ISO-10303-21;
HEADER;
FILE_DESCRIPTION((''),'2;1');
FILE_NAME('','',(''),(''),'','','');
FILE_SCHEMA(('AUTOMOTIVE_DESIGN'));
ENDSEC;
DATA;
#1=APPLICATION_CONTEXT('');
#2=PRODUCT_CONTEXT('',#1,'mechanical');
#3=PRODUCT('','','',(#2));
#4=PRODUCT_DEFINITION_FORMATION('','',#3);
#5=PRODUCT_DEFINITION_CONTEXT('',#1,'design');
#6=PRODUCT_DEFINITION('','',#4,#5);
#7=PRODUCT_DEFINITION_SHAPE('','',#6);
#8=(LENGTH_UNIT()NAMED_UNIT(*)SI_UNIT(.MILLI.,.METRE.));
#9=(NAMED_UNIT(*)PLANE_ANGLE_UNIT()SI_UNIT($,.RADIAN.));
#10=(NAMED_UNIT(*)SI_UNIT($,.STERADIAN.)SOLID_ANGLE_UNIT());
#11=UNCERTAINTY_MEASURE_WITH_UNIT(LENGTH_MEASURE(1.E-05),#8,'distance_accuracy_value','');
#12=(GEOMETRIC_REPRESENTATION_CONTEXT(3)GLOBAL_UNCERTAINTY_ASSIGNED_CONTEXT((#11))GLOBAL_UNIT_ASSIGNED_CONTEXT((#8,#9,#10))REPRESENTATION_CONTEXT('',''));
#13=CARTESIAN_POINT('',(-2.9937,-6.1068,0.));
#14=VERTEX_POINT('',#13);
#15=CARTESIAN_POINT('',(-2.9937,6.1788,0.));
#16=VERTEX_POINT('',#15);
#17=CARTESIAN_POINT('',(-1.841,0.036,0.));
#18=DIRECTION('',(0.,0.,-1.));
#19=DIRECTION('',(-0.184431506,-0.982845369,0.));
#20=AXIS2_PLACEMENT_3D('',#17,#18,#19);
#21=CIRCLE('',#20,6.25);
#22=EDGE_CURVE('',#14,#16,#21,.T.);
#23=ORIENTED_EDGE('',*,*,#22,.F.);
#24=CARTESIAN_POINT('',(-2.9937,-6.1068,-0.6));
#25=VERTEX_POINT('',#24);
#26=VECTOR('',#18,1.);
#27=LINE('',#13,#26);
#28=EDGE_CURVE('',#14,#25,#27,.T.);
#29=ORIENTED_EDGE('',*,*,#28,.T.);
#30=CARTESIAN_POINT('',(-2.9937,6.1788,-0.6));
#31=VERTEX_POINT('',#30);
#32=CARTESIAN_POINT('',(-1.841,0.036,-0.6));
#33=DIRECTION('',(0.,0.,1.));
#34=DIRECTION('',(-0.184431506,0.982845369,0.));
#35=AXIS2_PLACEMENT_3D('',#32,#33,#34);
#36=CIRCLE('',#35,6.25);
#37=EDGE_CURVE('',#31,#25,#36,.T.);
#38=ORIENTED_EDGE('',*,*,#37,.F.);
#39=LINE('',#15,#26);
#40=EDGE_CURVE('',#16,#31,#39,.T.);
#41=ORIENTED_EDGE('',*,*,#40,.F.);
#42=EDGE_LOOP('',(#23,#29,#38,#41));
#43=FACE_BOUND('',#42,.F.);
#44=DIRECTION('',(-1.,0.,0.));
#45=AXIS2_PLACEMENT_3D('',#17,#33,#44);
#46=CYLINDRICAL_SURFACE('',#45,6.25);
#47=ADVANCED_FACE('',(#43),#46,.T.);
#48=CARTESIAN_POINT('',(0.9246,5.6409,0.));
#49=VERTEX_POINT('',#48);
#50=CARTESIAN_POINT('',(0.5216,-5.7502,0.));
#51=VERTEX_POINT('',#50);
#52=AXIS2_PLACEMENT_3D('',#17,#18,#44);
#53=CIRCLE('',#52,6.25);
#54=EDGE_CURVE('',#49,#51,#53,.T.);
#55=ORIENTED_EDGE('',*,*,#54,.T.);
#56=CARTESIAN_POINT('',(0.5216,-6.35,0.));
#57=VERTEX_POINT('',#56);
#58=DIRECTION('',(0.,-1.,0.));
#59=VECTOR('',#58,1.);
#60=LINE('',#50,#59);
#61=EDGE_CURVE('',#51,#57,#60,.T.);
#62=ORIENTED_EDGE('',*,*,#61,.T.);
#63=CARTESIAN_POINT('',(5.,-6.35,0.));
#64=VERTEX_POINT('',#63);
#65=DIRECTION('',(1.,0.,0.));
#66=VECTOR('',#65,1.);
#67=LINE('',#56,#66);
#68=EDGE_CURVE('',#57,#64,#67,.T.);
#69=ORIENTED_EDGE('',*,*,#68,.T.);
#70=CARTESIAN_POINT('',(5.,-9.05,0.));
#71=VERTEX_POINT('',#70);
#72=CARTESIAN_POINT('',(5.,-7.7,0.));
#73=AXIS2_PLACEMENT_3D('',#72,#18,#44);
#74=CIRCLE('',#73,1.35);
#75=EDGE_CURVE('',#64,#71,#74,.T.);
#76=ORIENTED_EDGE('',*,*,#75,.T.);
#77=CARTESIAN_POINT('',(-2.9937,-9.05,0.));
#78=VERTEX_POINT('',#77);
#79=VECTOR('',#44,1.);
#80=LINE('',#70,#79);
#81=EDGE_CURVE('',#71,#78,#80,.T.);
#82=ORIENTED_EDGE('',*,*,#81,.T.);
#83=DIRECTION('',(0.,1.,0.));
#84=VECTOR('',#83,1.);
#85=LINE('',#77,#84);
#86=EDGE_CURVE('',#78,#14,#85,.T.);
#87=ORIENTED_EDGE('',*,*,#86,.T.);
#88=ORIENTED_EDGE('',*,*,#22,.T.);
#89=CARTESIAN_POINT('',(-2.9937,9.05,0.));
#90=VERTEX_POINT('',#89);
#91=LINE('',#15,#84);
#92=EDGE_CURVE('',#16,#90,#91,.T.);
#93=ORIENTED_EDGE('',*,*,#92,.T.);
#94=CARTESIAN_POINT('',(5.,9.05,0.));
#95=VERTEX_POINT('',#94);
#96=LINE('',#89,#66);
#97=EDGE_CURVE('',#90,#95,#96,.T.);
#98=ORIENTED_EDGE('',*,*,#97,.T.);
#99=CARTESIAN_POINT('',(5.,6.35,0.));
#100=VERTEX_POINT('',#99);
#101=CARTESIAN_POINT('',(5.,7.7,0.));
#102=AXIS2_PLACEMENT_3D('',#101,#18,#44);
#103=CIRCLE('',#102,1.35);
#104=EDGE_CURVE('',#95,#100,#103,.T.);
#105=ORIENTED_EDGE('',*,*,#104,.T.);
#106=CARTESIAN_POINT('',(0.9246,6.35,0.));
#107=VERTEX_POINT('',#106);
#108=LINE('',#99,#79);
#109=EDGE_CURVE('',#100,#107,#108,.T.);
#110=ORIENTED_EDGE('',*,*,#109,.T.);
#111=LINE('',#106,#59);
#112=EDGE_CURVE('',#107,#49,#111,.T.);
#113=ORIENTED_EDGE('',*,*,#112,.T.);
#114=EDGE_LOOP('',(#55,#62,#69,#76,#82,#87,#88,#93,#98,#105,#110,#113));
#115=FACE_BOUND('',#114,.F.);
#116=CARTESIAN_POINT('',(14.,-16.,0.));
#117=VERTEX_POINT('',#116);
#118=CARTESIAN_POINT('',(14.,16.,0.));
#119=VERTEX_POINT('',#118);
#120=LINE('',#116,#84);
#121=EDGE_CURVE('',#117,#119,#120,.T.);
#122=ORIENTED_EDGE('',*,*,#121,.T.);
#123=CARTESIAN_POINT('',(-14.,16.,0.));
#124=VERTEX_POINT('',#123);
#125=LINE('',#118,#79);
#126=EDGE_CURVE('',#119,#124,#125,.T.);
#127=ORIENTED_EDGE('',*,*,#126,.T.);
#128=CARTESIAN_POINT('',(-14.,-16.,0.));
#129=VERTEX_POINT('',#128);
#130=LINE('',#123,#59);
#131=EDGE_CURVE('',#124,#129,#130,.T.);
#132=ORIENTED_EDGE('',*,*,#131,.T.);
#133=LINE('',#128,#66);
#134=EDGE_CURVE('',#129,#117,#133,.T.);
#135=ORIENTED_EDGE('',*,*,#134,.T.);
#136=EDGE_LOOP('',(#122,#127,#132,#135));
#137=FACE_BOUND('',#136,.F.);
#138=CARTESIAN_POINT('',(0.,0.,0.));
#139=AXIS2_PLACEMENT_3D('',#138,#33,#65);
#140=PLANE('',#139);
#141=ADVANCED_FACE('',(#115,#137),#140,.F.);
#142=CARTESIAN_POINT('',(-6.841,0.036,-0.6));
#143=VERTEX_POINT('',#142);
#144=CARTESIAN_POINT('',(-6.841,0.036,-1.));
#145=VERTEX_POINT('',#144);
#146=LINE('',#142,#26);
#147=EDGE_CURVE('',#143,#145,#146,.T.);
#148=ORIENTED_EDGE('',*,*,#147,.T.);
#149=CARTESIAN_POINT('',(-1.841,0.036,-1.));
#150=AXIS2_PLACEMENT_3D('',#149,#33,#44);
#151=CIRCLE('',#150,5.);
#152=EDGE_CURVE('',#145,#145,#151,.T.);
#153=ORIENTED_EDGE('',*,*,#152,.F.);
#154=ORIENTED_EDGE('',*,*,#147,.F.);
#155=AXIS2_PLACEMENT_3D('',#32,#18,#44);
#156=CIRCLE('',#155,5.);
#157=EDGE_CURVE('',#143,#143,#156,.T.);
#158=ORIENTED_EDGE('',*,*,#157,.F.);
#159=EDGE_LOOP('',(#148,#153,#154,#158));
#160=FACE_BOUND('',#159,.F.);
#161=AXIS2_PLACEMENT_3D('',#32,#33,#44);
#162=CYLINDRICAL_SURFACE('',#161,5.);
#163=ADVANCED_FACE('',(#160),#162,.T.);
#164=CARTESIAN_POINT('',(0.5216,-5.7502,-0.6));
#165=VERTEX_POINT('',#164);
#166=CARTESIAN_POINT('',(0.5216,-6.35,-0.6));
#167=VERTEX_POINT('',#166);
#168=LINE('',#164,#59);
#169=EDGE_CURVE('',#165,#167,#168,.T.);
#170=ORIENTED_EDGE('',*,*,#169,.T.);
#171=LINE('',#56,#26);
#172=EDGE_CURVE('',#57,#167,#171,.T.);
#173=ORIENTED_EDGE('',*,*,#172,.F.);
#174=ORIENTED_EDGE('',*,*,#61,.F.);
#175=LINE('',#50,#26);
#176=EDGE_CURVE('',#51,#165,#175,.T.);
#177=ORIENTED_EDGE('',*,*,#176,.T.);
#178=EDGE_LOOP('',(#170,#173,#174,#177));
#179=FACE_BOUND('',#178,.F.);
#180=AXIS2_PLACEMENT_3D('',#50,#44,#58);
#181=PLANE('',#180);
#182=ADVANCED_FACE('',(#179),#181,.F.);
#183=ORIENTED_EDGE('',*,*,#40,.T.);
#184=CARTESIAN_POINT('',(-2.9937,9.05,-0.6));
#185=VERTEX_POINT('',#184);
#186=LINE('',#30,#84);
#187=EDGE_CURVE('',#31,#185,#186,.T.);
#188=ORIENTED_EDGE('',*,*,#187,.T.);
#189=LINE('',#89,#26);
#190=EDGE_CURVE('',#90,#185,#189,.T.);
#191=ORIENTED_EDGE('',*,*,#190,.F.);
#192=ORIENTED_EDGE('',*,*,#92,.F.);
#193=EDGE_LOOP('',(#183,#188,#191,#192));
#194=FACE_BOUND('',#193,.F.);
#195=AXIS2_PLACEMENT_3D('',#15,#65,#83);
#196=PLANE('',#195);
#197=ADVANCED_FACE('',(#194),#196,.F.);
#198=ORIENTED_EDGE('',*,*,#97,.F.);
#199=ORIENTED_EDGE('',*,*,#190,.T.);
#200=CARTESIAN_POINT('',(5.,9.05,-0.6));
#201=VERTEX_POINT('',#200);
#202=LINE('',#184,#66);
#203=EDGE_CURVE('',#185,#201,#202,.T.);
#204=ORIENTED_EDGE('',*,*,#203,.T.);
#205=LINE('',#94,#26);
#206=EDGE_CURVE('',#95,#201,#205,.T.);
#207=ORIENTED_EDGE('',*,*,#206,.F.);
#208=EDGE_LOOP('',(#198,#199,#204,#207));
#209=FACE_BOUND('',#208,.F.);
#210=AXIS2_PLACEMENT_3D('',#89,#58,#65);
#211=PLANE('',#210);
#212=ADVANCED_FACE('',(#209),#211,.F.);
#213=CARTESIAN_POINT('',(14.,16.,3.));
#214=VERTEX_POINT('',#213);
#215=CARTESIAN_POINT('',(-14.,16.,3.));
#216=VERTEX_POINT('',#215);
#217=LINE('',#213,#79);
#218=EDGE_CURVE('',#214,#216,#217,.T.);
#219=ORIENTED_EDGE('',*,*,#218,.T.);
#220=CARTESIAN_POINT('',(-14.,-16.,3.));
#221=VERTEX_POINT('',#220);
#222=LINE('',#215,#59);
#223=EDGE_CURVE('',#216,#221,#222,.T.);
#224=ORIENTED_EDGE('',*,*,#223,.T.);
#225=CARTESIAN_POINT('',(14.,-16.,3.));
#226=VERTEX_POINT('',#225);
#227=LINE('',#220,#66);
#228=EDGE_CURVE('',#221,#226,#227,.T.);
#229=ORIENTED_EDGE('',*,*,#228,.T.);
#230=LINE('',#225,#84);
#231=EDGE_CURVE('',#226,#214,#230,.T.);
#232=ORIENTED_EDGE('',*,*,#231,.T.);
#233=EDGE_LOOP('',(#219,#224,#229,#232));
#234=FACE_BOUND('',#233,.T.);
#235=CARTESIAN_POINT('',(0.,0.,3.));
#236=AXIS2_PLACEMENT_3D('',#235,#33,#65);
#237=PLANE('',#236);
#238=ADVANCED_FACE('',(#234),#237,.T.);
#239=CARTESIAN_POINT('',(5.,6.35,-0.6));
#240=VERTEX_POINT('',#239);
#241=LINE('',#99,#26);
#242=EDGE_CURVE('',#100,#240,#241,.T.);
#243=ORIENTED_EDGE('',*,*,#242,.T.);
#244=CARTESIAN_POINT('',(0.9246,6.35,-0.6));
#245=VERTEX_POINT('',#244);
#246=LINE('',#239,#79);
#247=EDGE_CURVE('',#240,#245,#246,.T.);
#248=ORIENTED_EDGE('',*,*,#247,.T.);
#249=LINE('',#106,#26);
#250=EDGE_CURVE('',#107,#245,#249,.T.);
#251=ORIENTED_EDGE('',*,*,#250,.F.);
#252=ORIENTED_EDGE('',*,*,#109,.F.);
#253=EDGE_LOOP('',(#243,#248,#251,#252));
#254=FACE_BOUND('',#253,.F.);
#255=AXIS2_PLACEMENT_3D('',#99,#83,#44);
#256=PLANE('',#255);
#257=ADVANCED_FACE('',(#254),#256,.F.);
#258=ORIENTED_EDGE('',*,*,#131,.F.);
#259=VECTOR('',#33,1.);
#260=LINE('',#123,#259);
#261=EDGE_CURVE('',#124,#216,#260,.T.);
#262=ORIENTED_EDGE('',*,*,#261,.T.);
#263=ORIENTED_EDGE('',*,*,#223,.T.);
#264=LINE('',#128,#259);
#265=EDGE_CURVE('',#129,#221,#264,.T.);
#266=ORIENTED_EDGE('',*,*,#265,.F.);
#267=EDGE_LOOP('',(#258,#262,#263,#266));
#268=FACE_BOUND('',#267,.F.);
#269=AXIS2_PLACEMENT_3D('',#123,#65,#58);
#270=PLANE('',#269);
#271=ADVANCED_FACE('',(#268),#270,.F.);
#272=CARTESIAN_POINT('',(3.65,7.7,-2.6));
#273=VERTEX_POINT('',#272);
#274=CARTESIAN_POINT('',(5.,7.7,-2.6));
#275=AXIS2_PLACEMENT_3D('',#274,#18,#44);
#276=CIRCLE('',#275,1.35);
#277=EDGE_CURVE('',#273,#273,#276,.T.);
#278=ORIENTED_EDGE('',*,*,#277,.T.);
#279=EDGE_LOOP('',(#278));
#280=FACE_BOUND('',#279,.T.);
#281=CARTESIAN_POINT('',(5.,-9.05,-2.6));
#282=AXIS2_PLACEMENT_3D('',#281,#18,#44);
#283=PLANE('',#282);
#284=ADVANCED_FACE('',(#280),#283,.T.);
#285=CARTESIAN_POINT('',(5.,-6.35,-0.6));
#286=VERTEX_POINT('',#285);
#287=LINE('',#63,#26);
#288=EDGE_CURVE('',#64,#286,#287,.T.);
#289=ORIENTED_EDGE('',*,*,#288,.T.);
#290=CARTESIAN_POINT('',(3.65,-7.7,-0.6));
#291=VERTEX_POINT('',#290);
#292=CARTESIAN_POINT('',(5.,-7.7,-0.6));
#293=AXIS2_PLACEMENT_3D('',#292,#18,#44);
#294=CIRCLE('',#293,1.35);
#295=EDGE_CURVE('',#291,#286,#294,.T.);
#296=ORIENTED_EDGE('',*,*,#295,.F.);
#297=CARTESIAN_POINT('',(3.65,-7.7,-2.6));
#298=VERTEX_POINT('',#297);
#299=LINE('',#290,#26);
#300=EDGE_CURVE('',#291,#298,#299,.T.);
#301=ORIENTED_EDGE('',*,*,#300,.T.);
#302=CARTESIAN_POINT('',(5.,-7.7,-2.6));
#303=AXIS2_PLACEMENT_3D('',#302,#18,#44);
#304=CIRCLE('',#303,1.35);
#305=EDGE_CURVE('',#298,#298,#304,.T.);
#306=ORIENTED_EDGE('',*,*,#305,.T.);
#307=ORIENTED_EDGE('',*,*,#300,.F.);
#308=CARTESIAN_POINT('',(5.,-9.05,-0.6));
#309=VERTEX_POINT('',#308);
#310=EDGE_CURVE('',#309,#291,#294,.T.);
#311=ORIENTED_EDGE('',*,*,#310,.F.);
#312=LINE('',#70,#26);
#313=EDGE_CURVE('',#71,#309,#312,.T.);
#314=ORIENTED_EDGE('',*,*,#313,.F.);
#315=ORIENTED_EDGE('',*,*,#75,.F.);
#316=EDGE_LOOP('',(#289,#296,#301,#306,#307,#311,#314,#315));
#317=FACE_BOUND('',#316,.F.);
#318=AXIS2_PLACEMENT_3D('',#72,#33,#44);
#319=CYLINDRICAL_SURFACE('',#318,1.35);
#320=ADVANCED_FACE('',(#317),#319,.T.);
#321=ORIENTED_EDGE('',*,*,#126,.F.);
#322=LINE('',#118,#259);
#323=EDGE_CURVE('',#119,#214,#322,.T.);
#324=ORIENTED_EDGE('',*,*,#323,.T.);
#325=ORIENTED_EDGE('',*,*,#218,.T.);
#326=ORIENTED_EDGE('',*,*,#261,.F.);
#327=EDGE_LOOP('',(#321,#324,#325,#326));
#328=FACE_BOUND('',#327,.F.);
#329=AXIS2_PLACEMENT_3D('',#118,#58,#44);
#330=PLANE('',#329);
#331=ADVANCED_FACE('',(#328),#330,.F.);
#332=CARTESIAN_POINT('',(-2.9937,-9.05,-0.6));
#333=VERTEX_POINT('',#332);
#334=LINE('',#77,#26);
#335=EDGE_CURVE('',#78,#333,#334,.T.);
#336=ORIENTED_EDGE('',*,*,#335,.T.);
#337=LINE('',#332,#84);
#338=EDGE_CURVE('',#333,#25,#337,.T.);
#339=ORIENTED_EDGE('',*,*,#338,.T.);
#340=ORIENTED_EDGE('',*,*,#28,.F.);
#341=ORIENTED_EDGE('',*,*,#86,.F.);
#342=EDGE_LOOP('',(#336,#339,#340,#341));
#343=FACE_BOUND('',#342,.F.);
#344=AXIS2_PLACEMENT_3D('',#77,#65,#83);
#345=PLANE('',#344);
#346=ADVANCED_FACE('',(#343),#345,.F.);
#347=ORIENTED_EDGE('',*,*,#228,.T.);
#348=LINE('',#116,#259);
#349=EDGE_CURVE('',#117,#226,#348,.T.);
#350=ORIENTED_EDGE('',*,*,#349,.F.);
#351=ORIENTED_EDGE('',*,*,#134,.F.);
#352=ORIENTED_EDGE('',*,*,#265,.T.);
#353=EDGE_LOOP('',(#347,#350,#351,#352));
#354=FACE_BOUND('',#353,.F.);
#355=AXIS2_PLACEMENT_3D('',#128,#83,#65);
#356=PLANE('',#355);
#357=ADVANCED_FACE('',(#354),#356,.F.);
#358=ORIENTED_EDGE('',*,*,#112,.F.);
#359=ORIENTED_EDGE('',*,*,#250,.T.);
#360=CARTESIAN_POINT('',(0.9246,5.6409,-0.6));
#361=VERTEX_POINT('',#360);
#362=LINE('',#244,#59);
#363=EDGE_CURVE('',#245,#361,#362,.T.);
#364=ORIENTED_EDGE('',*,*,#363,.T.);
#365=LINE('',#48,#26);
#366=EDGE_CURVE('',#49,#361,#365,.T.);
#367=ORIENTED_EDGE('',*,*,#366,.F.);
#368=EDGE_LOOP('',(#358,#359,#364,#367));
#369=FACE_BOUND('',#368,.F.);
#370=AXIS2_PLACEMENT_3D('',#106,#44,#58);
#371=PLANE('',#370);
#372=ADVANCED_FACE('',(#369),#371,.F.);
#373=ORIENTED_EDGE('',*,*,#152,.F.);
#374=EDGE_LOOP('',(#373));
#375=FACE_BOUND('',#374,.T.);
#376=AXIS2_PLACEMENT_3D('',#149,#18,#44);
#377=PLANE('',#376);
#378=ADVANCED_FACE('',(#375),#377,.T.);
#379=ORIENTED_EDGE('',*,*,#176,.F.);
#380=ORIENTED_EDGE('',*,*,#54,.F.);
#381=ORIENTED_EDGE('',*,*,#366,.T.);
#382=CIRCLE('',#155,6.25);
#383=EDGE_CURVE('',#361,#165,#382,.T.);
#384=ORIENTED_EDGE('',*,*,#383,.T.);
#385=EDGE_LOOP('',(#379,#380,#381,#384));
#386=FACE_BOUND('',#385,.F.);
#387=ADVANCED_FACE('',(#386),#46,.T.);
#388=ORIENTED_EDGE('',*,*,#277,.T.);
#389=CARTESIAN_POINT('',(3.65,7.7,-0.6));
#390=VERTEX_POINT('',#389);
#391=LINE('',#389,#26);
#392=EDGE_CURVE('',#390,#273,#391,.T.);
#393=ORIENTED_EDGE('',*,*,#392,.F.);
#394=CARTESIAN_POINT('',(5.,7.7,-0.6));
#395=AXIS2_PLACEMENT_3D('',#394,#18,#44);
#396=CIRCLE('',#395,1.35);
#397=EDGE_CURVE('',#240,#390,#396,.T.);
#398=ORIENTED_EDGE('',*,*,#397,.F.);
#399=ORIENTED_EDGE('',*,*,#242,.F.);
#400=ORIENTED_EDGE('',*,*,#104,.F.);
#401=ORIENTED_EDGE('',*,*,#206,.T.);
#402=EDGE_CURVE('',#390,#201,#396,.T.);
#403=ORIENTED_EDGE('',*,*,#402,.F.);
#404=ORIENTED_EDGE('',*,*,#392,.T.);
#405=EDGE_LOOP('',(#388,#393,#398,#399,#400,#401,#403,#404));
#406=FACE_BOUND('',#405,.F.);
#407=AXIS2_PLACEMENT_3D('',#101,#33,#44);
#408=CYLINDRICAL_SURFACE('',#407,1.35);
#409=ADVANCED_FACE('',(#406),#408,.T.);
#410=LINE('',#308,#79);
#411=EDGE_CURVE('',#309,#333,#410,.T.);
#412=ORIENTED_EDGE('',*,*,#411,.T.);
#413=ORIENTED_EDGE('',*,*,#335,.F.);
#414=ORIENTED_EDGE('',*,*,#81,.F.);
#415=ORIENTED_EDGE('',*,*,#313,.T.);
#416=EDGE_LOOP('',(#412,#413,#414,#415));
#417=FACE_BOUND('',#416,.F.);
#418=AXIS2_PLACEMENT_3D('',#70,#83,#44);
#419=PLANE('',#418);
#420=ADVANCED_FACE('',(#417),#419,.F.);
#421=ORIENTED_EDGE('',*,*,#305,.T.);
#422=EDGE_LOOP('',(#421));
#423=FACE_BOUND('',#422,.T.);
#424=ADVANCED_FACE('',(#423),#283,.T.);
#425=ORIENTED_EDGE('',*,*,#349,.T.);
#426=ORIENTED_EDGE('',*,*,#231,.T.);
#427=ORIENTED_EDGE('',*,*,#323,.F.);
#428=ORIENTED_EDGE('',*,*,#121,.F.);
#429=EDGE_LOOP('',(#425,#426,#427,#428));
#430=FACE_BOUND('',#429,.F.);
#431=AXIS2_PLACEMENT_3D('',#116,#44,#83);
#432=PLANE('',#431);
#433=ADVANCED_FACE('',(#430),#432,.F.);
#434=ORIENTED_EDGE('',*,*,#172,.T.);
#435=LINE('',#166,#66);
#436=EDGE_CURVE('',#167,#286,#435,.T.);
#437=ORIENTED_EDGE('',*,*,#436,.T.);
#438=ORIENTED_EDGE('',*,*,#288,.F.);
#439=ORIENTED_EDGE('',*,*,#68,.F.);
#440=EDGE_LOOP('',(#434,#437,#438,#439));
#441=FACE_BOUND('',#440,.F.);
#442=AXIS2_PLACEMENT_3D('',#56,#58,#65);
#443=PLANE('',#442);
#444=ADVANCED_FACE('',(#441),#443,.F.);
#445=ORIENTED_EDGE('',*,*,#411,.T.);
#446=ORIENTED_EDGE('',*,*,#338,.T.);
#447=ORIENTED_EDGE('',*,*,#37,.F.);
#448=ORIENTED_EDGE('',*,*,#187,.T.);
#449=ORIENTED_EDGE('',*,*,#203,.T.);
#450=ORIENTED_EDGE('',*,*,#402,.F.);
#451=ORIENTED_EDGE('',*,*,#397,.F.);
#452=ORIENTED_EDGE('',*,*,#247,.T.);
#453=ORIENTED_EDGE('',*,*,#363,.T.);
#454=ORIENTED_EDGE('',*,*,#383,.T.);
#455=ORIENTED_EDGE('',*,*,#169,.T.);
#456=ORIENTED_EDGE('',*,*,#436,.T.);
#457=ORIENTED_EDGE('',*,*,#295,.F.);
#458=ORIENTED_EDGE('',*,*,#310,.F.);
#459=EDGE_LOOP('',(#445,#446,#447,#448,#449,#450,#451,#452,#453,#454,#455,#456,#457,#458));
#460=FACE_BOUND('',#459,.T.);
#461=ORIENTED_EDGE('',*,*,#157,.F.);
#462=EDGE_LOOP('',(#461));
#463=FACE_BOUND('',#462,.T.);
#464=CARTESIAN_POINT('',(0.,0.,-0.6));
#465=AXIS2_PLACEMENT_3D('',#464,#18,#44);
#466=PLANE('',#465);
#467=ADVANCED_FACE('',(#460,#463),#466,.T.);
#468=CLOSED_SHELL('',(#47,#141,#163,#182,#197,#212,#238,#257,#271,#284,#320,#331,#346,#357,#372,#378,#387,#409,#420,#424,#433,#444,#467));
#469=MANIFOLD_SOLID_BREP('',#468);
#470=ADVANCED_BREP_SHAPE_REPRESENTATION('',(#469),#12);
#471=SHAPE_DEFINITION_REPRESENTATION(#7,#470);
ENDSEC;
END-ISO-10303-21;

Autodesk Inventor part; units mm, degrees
ref_plane "YZ Plane" through (0, 0, 0) normal (1, 0, 0) x (0, 1, 0)
ref_plane "Work Plane1" through (0, 0, 0) normal (0, 0, 1) x (1, 0, 0)
sketch "Sketch1" plane through (0, 0, 0) normal (0, 0, 1) x (1, 0, 0)
  line L0 (9, 11.7) -> (-9, 11.7) projected
  line L1 (-9, 11.7) -> (-9, -11.7) projected
  line L2 (-9, -11.7) -> (9, -11.7) projected
  line L3 (9, -11.7) -> (9, 11.7) projected
  line L4 (5, -9.05) -> (-2.9937, -9.05) projected
  line L5 (-2.9937, -9.05) -> (-2.9937, -6.1068) projected
  arc A0 (-2.9937, 6.1788) -> (-2.9937, -6.1068) centre (-1.841, 0.036) ccw projected
  line L6 (-2.9937, 6.1788) -> (-2.9937, 9.05) projected
  line L7 (-2.9937, 9.05) -> (5, 9.05) projected
  arc A1 (5, 6.35) -> (5, 9.05) centre (5, 7.7) ccw projected
  line L8 (5, 6.35) -> (0.9246, 6.35) projected
  line L9 (0.9246, 6.35) -> (0.9246, 5.6409) projected
  arc A2 (0.5216, -5.7502) -> (0.9246, 5.6409) centre (-1.841, 0.036) ccw projected
  line L10 (0.5216, -5.7502) -> (0.5216, -6.35) projected
  line L11 (0.5216, -6.35) -> (5, -6.35) projected
  arc A3 (5, -9.05) -> (5, -6.35) centre (5, -7.7) ccw projected
  line L12 (-14, -16) -> (14, -16)
  line L13 (14, -16) -> (14, 16)
  line L14 (14, 16) -> (-14, 16)
  line L15 (-14, 16) -> (-14, -16)
  line L16 (-14, -16) -> (14, 16) construction
  line L17 (14, -16) -> (-14, 16) construction
  point P0 (0, 0)
  dimension "d0" = 28
  dimension "d1" = 32
extrude "Extrusion1" add sketch "Sketch1" along normal blind 3 contours L3 L2 L1 L0 | L4 L5 A0 L6 L7 A1 L8 L9 A2 L10 L11 A3 | L15 L14 L13 L12
sketch "Sketch2" plane through (0, 0, 0) normal (0, 0, -1) x (-1, 0, 0)
  circle A0 centre (1.841, 0.036) radius 6.25 projected
  arc A1 (-5, -9.05) -> (-5, -6.35) centre (-5, -7.7) ccw projected
  line L0 (-0.5216, -6.35) -> (-5, -6.35) projected
  line L1 (-0.5216, -5.7502) -> (-0.5216, -6.35) projected
  arc A2 (-0.5216, -5.7502) -> (2.9937, -6.1068) centre (1.841, 0.036) ccw projected
  line L2 (2.9937, -9.05) -> (2.9937, -6.1068) projected
  line L3 (-5, -9.05) -> (2.9937, -9.05) projected
  arc A3 (2.9937, 6.1788) -> (-0.9246, 5.6409) centre (1.841, 0.036) ccw projected
  line L4 (-0.9246, 6.35) -> (-0.9246, 5.6409) projected
  line L5 (-5, 6.35) -> (-0.9246, 6.35) projected
  arc A4 (-5, 6.35) -> (-5, 9.05) centre (-5, 7.7) ccw projected
  line L6 (2.9937, 9.05) -> (-5, 9.05) projected
  line L7 (2.9937, 6.1788) -> (2.9937, 9.05) projected
  circle A5 centre (-5, 7.7) radius 1.35 projected
  circle A6 centre (-5, -7.7) radius 1.35 projected
  point P0 (0, 0)
ref_plane "Work Plane2" through (-8.091, -6.214, -0.6) normal (0, 0, 1) x (1, 0, 0)
extrude "Extrusion2" add sketch "Sketch2" along normal up to surface (0.6 mm away)
sketch "Sketch3" plane through (5, -9.05, -0.6) normal (0, 0, -1) x (-1, 0, 0)
  circle A0 centre (6.841, 9.086) radius 5 projected
  circle A1 centre (0, 16.75) radius 1.35 projected
  circle A2 centre (0, 1.35) radius 1.35 projected
  point P0 (5, 9.05)
extrude "Extrusion3" add sketch "Sketch3" along normal blind 2
sketch "Sketch4" plane through (-1.841, 0.036, -2.6) normal (0, 0, -1) x (-1, 0, 0)
  circle A0 centre (0, 0) radius 5.2 projected
  point P0 (-1.841, -0.036)
ref_plane "Work Plane3" through (-9, -11.7, -1) normal (0, 0, -1) x (0, 1, 0)
extrude "Extrusion4" cut sketch "Sketch4" against normal up to surface (1.6 mm away)
properties part number "00_PDMS_mould_0"
